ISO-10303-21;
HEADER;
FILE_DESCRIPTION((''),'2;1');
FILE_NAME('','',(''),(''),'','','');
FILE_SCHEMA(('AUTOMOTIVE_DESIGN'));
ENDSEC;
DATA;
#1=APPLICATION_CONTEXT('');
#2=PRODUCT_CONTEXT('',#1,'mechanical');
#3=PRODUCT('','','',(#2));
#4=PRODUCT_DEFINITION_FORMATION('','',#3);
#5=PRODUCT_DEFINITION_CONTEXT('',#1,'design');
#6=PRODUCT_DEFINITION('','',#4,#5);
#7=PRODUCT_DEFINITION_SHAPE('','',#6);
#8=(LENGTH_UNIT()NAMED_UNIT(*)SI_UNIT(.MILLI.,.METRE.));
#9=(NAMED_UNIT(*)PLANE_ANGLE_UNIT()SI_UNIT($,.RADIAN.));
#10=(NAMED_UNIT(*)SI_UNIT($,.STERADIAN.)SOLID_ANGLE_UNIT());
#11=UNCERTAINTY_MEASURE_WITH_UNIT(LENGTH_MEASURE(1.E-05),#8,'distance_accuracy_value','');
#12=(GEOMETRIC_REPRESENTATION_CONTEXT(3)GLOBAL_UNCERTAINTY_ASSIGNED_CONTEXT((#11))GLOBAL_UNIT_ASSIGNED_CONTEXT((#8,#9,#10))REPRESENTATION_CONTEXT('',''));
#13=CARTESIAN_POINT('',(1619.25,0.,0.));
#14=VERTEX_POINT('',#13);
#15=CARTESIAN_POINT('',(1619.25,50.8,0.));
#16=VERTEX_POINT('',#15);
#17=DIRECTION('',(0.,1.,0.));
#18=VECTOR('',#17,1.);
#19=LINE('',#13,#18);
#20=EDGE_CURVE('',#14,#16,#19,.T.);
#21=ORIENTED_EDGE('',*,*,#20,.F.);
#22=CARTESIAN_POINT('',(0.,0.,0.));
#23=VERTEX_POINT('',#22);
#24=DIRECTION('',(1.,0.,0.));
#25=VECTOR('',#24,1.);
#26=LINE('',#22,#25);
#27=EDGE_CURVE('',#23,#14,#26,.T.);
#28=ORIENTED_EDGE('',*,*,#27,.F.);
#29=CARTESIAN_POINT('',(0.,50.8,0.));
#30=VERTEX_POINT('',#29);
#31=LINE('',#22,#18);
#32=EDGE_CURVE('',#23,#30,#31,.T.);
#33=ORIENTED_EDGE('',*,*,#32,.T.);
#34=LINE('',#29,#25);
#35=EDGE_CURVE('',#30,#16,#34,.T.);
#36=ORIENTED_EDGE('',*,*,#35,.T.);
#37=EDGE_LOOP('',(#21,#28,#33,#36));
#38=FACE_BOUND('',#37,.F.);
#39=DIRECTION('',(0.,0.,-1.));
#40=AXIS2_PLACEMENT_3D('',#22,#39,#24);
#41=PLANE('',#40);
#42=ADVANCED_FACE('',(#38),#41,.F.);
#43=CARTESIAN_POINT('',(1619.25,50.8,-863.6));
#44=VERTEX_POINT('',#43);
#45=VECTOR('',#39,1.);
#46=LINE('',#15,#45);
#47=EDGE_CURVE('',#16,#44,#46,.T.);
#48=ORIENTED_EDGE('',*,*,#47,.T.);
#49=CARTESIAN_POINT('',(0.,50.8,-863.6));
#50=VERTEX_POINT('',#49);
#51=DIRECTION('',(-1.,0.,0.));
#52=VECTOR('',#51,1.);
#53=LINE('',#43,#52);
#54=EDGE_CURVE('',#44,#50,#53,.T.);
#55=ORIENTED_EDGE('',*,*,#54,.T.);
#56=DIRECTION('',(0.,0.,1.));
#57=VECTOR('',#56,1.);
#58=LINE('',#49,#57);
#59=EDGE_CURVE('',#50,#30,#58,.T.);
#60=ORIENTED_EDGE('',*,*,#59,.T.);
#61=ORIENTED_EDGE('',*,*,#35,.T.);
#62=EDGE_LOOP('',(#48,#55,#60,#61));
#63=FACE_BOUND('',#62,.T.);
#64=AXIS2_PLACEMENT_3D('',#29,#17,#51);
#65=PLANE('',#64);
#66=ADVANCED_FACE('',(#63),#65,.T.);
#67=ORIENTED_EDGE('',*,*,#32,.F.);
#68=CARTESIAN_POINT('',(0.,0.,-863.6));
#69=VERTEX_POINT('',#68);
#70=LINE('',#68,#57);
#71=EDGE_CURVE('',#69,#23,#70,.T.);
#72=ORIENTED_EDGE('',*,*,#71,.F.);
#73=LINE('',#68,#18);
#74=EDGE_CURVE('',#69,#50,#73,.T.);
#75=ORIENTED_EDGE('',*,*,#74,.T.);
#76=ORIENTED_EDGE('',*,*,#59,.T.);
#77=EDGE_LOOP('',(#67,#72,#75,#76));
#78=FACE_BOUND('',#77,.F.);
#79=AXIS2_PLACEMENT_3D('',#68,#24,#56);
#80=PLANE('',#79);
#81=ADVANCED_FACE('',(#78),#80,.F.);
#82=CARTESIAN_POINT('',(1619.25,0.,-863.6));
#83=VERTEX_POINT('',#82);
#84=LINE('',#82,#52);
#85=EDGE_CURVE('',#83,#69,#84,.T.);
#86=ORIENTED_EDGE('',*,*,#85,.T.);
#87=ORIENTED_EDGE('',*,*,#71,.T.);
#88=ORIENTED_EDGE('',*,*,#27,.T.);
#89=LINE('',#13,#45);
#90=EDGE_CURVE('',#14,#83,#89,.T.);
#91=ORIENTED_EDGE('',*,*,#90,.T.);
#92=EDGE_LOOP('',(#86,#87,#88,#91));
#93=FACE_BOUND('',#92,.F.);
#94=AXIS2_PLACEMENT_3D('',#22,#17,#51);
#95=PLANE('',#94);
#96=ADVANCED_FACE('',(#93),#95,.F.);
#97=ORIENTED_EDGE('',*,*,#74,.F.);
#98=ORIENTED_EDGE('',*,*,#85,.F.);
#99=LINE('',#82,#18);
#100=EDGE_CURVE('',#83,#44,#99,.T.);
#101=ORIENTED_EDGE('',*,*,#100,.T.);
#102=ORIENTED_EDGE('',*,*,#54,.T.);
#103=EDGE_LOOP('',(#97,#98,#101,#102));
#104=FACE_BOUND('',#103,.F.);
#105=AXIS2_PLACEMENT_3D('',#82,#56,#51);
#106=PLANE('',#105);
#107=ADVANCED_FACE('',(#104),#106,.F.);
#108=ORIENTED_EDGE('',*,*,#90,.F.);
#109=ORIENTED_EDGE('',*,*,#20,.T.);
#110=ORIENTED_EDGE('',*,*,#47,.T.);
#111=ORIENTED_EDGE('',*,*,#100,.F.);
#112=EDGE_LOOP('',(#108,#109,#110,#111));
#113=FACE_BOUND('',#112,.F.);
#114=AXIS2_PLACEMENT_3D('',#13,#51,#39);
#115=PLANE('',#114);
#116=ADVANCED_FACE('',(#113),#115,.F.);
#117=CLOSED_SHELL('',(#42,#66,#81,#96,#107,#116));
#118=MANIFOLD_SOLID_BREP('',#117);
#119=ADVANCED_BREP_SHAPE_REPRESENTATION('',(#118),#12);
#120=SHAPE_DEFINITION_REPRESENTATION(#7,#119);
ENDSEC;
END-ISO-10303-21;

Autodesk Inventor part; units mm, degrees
ref_plane "YZ Plane" through (0, 0, 0) normal (1, 0, 0) x (0, 1, 0)
ref_plane "XZ Plane" through (0, 0, 0) normal (0, 1, 0) x (-1, 0, 0)
ref_plane "XY Plane" through (0, 0, 0) normal (0, 0, 1) x (1, 0, 0)
sketch "Sketch1" plane through (0, 0, 0) normal (0, 1, 0) x (-1, 0, 0)
  line L0 (0, 0) -> (-1619.25, 0)
  line L1 (-1619.25, 0) -> (-1619.25, -863.6)
  line L2 (-1619.25, -863.6) -> (0, -863.6)
  line L3 (0, -863.6) -> (0, 0)
  dimension "d0" = 1619.25
  dimension "d1" = 863.6
extrude "Extrusion1" add sketch "Sketch1" along normal blind 50.8
properties part number "E" material "Granite, Cut, Polished"
